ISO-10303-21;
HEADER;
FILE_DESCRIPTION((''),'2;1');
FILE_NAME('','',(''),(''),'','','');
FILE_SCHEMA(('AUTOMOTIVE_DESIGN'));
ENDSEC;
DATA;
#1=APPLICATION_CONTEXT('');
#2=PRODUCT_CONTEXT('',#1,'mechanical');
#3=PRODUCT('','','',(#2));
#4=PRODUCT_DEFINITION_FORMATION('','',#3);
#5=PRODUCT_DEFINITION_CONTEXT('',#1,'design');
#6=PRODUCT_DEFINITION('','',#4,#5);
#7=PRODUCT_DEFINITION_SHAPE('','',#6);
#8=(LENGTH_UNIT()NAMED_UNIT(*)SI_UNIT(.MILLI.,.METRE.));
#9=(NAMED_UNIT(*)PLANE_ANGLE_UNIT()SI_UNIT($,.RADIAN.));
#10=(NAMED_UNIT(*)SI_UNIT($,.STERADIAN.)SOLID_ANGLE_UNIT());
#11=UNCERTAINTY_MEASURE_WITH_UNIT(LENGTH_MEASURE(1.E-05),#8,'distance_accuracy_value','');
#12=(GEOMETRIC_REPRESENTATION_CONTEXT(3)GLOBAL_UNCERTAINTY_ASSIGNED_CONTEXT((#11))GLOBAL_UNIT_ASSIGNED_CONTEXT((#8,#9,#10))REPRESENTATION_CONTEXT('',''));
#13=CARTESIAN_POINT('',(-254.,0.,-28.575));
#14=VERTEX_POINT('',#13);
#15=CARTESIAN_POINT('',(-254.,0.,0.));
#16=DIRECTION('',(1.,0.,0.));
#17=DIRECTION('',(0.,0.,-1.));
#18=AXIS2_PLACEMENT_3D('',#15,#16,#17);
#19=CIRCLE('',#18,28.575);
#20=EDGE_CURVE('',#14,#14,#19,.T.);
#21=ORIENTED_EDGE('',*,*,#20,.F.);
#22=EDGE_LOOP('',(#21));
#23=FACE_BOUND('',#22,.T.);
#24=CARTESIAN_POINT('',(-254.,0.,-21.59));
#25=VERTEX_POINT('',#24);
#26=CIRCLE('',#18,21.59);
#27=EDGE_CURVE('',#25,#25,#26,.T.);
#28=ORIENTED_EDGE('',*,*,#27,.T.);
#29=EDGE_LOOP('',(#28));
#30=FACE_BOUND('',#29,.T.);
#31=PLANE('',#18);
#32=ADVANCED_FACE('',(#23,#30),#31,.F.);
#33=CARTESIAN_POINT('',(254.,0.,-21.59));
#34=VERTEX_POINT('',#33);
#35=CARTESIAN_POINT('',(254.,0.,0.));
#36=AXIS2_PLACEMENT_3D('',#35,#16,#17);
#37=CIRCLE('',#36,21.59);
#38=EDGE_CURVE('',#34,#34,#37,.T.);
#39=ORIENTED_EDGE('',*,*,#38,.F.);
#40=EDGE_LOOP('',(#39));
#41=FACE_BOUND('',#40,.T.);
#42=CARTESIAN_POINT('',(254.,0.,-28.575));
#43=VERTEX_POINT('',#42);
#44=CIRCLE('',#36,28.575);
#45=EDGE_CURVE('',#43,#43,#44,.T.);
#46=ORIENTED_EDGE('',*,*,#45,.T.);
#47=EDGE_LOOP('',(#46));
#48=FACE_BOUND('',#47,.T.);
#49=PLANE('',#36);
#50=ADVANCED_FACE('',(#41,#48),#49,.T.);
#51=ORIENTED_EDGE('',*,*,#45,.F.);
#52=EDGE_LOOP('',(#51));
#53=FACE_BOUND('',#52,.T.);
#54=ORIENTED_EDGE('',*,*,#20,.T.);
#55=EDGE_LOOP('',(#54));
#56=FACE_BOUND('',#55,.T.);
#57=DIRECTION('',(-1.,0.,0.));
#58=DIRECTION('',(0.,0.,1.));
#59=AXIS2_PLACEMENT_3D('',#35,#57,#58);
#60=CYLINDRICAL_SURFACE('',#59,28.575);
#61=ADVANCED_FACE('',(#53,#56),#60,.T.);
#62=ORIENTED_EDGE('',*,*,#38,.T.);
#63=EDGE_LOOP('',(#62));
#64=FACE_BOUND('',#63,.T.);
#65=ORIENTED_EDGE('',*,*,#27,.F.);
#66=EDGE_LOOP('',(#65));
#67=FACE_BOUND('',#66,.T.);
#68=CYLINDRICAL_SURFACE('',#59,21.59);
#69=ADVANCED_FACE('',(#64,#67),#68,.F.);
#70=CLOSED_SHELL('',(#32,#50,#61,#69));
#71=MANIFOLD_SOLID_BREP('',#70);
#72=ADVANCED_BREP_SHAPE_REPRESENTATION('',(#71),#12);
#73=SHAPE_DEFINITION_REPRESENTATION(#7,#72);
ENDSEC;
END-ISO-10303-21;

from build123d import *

# Parameters (mm, degrees)
SKETCH1_R           = 28.575
SKETCH1_R_2         = 21.59
BOSS_EXTRUDE1_DEPTH = 254


with BuildPart() as part:
    # Sketch1 → Boss-Extrude1 (new body, symmetric)
    with BuildSketch(Plane(origin=(0, 0, 0), x_dir=(0, 0, -1), z_dir=(1, 0, 0))):
        Circle(SKETCH1_R)
        Circle(SKETCH1_R_2, mode=Mode.SUBTRACT)
    extrude(amount=BOSS_EXTRUDE1_DEPTH, both=True)


solid = part.part
